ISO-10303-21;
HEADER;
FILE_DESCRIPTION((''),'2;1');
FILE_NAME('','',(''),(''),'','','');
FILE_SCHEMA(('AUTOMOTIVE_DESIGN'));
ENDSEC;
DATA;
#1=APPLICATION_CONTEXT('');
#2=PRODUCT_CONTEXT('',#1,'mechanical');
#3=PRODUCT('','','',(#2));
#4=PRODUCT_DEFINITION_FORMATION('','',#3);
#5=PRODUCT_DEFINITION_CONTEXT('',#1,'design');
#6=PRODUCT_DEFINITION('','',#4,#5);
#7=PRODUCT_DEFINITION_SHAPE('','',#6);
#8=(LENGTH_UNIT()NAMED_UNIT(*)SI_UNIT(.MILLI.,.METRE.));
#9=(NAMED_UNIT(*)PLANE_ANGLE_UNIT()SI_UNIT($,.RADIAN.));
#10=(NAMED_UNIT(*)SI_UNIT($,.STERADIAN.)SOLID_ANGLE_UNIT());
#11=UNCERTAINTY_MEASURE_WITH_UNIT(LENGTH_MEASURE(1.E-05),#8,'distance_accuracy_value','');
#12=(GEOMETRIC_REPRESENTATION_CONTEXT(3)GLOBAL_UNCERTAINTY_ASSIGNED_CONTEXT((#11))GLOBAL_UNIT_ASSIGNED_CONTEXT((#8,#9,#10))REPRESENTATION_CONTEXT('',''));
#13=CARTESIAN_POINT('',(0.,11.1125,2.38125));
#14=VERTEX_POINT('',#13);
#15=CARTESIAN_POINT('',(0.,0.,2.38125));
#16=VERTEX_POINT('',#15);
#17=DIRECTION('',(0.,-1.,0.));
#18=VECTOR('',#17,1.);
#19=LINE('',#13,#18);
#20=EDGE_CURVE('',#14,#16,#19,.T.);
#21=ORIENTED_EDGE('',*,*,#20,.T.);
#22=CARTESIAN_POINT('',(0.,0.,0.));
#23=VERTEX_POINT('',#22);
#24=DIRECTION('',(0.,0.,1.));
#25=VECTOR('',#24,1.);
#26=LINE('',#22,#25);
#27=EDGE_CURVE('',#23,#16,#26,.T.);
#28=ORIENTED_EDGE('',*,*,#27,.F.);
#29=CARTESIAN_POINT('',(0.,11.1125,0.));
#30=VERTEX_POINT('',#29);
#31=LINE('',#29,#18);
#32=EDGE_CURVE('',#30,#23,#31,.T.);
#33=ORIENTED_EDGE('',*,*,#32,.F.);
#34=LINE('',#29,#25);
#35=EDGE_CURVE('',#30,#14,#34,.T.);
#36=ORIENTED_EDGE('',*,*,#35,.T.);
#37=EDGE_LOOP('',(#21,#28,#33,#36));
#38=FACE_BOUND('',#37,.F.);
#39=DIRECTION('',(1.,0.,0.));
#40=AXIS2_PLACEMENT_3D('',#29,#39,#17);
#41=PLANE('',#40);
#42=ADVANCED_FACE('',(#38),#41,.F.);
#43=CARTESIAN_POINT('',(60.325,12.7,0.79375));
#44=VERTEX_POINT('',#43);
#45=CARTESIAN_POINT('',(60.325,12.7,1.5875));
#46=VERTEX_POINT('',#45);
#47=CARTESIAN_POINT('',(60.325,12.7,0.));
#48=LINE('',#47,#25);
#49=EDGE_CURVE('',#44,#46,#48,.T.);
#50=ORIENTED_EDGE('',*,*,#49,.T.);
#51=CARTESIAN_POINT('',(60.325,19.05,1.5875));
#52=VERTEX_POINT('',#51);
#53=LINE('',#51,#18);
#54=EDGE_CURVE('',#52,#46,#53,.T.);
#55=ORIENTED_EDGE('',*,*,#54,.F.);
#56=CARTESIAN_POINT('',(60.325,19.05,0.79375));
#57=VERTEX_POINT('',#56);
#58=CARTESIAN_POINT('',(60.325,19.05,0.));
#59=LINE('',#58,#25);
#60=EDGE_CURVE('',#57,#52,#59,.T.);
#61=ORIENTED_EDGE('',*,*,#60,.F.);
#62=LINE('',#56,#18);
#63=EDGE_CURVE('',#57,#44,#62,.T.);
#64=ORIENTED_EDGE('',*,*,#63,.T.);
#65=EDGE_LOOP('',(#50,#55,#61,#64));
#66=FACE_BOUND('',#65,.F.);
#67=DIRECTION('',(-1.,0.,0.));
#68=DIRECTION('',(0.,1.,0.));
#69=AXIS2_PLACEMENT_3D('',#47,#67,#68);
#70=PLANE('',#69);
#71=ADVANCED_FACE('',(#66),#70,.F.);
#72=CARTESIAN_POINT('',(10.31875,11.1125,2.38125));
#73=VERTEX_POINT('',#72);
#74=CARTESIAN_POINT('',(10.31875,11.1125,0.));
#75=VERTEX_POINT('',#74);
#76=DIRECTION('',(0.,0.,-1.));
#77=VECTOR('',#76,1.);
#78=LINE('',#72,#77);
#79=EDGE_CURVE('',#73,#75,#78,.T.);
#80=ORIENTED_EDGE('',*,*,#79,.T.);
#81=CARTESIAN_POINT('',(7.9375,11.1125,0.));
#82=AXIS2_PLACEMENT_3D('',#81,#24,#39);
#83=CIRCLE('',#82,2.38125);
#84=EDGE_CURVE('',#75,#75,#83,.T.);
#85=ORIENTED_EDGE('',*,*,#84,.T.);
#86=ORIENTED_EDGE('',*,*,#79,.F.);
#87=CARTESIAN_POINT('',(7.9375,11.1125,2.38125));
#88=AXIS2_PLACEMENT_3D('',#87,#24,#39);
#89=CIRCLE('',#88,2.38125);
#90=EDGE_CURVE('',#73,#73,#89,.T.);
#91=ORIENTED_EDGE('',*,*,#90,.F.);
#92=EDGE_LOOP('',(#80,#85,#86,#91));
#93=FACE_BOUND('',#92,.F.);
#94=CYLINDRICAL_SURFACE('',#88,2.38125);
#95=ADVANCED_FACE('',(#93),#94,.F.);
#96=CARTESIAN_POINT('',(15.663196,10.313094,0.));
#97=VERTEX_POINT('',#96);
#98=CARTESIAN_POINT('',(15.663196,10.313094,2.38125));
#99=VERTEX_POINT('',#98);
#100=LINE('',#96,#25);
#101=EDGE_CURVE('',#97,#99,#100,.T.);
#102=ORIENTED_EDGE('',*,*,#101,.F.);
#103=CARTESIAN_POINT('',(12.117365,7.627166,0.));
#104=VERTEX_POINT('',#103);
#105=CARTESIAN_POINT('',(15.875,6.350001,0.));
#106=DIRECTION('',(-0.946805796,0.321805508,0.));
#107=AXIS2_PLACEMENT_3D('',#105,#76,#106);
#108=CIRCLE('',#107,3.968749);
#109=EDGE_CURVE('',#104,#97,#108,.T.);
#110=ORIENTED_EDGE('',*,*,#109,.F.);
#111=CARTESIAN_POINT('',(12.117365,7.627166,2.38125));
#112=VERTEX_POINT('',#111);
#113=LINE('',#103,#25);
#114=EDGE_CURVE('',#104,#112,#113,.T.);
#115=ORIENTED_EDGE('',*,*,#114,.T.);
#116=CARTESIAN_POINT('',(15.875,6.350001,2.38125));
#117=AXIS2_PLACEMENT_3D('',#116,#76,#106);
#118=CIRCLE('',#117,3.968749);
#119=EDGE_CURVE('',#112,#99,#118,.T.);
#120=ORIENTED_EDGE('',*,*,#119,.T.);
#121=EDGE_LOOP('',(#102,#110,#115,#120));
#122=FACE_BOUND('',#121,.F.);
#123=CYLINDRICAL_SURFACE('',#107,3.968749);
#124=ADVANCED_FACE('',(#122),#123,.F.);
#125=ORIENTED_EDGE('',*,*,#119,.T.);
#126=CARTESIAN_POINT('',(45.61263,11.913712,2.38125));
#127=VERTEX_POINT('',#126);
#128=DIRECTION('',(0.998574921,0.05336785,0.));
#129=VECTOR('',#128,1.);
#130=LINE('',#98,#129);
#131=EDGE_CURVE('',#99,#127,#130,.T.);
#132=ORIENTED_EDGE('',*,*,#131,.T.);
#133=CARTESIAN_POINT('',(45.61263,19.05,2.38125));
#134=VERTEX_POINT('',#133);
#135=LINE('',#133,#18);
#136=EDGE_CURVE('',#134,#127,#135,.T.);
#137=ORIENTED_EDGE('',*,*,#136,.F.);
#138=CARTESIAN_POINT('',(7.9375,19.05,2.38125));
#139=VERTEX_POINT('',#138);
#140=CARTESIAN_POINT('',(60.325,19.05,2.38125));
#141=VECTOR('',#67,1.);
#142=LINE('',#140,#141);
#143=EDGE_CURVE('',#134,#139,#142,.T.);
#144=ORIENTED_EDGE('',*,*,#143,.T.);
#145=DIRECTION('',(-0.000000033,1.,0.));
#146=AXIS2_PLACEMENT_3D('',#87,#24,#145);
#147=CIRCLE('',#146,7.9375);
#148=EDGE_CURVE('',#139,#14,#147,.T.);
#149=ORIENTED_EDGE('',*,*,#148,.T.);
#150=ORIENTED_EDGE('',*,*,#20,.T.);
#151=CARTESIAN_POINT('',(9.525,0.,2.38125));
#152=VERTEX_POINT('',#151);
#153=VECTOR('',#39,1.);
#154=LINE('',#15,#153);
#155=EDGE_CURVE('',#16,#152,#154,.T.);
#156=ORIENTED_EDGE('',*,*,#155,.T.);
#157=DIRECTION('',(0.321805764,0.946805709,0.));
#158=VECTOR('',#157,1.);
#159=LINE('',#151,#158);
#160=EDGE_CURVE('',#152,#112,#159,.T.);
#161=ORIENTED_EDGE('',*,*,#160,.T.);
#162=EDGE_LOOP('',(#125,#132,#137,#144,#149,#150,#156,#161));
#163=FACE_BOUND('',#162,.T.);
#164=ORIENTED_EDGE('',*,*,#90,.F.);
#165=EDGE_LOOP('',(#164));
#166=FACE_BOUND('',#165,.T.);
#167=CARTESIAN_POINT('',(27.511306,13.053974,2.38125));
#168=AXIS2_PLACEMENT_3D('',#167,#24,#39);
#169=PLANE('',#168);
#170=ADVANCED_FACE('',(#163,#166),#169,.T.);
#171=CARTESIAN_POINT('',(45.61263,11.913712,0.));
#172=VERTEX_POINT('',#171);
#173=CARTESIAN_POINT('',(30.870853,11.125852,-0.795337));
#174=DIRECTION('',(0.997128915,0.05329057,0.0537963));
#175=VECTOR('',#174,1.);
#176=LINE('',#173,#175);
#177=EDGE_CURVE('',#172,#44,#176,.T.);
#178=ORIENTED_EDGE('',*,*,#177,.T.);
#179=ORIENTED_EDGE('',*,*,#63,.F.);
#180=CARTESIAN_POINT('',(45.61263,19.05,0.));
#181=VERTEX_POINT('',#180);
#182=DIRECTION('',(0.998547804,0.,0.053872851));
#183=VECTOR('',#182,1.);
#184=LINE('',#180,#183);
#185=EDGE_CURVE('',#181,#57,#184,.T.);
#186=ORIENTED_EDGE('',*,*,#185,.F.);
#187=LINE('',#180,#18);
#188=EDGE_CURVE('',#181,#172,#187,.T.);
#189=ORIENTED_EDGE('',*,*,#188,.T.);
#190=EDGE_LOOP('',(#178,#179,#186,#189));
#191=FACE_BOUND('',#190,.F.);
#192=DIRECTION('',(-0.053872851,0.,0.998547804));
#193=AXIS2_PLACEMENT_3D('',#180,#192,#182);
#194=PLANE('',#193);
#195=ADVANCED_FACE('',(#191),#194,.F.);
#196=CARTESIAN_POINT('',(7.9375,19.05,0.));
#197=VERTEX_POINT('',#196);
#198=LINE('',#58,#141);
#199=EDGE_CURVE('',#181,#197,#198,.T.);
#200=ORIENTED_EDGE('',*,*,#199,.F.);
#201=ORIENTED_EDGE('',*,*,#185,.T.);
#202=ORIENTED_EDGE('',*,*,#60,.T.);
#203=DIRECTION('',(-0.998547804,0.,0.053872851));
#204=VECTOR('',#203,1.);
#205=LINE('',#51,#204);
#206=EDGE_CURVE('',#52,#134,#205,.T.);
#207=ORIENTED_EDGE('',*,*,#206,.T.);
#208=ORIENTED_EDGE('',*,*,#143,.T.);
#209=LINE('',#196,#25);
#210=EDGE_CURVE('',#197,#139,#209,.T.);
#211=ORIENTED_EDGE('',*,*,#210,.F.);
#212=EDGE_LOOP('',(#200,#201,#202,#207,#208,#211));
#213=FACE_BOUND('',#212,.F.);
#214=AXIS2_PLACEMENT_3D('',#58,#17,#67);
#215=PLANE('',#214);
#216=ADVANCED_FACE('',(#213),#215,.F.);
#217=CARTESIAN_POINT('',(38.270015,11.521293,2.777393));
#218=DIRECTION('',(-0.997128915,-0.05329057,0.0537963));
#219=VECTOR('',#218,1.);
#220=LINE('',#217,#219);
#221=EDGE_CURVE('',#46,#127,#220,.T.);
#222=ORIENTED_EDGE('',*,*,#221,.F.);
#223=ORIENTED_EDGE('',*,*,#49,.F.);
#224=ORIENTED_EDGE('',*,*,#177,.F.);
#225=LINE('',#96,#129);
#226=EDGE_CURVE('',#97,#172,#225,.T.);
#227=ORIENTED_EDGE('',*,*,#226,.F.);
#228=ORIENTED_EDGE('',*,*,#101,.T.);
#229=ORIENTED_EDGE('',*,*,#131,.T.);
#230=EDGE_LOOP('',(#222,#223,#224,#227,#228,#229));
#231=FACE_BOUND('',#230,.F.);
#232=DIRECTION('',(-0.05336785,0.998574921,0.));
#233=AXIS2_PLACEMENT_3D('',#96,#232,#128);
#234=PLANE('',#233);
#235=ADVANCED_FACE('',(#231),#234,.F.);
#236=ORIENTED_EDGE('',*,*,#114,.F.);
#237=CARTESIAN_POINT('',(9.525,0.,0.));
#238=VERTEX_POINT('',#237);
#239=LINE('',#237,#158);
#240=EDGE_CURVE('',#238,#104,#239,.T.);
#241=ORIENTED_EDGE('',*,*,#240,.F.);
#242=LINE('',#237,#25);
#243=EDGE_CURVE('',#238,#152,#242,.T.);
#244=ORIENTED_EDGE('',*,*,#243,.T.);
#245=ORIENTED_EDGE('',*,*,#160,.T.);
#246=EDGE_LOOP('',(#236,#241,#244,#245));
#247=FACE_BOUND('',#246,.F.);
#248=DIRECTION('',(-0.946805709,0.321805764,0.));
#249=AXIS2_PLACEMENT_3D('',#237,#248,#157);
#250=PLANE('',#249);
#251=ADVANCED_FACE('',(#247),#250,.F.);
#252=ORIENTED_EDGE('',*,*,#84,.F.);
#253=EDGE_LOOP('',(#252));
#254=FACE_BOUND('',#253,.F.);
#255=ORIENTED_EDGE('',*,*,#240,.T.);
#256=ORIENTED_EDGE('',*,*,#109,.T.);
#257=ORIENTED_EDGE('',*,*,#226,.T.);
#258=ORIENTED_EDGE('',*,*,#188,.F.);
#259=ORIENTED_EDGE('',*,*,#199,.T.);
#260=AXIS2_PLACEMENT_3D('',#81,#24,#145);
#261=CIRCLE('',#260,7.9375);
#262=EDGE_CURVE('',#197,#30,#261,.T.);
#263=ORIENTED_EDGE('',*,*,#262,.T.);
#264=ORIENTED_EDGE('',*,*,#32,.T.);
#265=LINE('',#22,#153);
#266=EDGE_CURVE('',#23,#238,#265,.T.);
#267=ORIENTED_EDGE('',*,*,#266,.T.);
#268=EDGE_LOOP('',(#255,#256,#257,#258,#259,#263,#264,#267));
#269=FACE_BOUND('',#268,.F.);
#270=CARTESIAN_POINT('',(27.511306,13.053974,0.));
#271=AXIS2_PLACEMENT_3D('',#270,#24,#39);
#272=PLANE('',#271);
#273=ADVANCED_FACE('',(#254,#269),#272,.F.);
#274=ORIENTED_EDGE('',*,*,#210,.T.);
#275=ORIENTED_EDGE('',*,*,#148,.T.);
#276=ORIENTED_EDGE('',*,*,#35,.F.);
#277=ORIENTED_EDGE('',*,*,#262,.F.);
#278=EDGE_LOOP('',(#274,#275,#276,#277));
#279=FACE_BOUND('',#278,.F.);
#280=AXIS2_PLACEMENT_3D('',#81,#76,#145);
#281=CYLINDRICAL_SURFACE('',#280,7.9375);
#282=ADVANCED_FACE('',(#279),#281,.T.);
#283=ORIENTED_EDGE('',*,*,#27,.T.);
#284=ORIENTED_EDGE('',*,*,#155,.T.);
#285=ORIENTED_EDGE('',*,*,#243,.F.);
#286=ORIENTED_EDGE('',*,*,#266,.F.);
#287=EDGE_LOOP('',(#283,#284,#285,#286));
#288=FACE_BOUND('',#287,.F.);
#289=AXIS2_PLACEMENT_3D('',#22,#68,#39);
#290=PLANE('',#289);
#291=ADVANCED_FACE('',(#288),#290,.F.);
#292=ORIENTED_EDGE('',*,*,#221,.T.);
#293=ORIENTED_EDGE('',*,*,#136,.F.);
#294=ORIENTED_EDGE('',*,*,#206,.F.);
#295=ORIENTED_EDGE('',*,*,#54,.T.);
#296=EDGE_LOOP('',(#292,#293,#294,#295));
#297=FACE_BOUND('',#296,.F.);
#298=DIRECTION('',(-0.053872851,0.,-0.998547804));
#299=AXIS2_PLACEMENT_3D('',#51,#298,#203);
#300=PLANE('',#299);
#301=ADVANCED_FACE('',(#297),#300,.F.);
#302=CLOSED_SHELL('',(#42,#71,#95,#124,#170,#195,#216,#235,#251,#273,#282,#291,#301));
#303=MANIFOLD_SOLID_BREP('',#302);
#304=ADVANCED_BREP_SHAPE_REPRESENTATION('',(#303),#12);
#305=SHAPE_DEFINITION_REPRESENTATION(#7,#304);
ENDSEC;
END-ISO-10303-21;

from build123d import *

# Parameters (mm, degrees)
F1_DEPTH = 2.38125
F2_R     = 2.38125
F3_DEPTH = 2.38225
F5_DEPTH = 25.4


with BuildPart() as f1:
    # F0 (on Top) → F1 (new body)
    with BuildSketch(Plane.XY):
        with BuildLine():
            Line((60.325, 19.05), (7.9375, 19.05))
            ThreePointArc((7.9375, 19.05), (2.32484, 16.72516), (0, 11.1125))
            Line((0, 11.1125), (0, 0))
            Line((0, 0), (9.525, 0))
            Line((9.525, 0), (12.117365, 7.627166))
            ThreePointArc((12.117365, 7.627166), (13.478615, 9.513592), (15.663196, 10.313094))
            Line((15.663196, 10.313094), (60.325, 12.7))
            Line((60.325, 12.7), (60.325, 19.05))
        make_face()
    extrude(amount=F1_DEPTH)

    # F2 (on face) → F3 (cut, through all)
    with BuildSketch(Plane.XY.offset(2.38125)):
        with Locations((7.9375, 11.1125)):
            Circle(F2_R)
    extrude(amount=-F3_DEPTH, mode=Mode.SUBTRACT)

    # F4 (on face) → F5 (cut)
    with BuildSketch(Plane(origin=(0, 19.05, 0), x_dir=(-1, 0, 0), z_dir=(0, 1, 0))):
        Polygon((-45.61263, 0), (-60.325, 0.79375), (-60.325, 0), align=None)
        Polygon((-45.61263, 2.38125), (-60.325, 2.38125), (-60.325, 1.5875), align=None)
    extrude(amount=-F5_DEPTH, mode=Mode.SUBTRACT)


solid = f1.part
